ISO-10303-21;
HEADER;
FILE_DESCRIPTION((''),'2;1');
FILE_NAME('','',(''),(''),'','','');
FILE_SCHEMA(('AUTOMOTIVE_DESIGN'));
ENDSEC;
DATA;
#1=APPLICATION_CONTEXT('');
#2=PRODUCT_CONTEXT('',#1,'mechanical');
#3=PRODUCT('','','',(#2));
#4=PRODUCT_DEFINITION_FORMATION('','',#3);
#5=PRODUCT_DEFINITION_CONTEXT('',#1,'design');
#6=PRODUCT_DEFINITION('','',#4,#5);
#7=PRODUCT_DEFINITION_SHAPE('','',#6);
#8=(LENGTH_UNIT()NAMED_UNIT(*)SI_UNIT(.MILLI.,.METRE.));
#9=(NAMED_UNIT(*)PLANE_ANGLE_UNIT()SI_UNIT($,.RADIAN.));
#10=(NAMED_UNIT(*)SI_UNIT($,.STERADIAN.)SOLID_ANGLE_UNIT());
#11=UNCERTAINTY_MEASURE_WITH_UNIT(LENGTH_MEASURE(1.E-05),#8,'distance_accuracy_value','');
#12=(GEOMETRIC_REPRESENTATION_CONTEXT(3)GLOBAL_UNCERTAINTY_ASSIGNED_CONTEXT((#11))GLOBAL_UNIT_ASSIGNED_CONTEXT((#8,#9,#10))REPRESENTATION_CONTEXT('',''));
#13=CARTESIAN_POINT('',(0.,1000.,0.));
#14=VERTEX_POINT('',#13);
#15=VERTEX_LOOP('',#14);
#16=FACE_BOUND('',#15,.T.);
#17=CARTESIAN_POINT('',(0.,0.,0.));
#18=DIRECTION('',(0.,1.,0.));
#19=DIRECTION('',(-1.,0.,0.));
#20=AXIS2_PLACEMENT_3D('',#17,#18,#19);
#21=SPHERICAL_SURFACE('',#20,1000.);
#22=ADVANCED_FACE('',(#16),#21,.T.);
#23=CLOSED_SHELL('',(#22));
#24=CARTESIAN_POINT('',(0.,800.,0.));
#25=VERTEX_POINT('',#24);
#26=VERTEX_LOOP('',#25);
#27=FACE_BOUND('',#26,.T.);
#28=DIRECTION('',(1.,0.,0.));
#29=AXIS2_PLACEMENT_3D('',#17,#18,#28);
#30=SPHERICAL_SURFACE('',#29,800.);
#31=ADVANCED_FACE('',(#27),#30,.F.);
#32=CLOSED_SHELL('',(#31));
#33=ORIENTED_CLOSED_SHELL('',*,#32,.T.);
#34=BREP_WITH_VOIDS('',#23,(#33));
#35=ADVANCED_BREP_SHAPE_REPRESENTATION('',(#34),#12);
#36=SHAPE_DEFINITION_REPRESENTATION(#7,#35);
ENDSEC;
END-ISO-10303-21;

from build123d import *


with BuildPart() as part:
    # Sketch1 → Revolve1 (revolve)
    with BuildSketch(Plane.XY):
        with BuildLine():
            Line((0, 1000), (0, 800))
            ThreePointArc((0, 800), (800, 0), (0, -800))
            Line((0, -800), (0, -1000))
            ThreePointArc((0, -1000), (1000, 0), (0, 1000))
        make_face()
    revolve(axis=Axis((0, 105.545404412, 0), (0, -1, 0)))


solid = part.part
